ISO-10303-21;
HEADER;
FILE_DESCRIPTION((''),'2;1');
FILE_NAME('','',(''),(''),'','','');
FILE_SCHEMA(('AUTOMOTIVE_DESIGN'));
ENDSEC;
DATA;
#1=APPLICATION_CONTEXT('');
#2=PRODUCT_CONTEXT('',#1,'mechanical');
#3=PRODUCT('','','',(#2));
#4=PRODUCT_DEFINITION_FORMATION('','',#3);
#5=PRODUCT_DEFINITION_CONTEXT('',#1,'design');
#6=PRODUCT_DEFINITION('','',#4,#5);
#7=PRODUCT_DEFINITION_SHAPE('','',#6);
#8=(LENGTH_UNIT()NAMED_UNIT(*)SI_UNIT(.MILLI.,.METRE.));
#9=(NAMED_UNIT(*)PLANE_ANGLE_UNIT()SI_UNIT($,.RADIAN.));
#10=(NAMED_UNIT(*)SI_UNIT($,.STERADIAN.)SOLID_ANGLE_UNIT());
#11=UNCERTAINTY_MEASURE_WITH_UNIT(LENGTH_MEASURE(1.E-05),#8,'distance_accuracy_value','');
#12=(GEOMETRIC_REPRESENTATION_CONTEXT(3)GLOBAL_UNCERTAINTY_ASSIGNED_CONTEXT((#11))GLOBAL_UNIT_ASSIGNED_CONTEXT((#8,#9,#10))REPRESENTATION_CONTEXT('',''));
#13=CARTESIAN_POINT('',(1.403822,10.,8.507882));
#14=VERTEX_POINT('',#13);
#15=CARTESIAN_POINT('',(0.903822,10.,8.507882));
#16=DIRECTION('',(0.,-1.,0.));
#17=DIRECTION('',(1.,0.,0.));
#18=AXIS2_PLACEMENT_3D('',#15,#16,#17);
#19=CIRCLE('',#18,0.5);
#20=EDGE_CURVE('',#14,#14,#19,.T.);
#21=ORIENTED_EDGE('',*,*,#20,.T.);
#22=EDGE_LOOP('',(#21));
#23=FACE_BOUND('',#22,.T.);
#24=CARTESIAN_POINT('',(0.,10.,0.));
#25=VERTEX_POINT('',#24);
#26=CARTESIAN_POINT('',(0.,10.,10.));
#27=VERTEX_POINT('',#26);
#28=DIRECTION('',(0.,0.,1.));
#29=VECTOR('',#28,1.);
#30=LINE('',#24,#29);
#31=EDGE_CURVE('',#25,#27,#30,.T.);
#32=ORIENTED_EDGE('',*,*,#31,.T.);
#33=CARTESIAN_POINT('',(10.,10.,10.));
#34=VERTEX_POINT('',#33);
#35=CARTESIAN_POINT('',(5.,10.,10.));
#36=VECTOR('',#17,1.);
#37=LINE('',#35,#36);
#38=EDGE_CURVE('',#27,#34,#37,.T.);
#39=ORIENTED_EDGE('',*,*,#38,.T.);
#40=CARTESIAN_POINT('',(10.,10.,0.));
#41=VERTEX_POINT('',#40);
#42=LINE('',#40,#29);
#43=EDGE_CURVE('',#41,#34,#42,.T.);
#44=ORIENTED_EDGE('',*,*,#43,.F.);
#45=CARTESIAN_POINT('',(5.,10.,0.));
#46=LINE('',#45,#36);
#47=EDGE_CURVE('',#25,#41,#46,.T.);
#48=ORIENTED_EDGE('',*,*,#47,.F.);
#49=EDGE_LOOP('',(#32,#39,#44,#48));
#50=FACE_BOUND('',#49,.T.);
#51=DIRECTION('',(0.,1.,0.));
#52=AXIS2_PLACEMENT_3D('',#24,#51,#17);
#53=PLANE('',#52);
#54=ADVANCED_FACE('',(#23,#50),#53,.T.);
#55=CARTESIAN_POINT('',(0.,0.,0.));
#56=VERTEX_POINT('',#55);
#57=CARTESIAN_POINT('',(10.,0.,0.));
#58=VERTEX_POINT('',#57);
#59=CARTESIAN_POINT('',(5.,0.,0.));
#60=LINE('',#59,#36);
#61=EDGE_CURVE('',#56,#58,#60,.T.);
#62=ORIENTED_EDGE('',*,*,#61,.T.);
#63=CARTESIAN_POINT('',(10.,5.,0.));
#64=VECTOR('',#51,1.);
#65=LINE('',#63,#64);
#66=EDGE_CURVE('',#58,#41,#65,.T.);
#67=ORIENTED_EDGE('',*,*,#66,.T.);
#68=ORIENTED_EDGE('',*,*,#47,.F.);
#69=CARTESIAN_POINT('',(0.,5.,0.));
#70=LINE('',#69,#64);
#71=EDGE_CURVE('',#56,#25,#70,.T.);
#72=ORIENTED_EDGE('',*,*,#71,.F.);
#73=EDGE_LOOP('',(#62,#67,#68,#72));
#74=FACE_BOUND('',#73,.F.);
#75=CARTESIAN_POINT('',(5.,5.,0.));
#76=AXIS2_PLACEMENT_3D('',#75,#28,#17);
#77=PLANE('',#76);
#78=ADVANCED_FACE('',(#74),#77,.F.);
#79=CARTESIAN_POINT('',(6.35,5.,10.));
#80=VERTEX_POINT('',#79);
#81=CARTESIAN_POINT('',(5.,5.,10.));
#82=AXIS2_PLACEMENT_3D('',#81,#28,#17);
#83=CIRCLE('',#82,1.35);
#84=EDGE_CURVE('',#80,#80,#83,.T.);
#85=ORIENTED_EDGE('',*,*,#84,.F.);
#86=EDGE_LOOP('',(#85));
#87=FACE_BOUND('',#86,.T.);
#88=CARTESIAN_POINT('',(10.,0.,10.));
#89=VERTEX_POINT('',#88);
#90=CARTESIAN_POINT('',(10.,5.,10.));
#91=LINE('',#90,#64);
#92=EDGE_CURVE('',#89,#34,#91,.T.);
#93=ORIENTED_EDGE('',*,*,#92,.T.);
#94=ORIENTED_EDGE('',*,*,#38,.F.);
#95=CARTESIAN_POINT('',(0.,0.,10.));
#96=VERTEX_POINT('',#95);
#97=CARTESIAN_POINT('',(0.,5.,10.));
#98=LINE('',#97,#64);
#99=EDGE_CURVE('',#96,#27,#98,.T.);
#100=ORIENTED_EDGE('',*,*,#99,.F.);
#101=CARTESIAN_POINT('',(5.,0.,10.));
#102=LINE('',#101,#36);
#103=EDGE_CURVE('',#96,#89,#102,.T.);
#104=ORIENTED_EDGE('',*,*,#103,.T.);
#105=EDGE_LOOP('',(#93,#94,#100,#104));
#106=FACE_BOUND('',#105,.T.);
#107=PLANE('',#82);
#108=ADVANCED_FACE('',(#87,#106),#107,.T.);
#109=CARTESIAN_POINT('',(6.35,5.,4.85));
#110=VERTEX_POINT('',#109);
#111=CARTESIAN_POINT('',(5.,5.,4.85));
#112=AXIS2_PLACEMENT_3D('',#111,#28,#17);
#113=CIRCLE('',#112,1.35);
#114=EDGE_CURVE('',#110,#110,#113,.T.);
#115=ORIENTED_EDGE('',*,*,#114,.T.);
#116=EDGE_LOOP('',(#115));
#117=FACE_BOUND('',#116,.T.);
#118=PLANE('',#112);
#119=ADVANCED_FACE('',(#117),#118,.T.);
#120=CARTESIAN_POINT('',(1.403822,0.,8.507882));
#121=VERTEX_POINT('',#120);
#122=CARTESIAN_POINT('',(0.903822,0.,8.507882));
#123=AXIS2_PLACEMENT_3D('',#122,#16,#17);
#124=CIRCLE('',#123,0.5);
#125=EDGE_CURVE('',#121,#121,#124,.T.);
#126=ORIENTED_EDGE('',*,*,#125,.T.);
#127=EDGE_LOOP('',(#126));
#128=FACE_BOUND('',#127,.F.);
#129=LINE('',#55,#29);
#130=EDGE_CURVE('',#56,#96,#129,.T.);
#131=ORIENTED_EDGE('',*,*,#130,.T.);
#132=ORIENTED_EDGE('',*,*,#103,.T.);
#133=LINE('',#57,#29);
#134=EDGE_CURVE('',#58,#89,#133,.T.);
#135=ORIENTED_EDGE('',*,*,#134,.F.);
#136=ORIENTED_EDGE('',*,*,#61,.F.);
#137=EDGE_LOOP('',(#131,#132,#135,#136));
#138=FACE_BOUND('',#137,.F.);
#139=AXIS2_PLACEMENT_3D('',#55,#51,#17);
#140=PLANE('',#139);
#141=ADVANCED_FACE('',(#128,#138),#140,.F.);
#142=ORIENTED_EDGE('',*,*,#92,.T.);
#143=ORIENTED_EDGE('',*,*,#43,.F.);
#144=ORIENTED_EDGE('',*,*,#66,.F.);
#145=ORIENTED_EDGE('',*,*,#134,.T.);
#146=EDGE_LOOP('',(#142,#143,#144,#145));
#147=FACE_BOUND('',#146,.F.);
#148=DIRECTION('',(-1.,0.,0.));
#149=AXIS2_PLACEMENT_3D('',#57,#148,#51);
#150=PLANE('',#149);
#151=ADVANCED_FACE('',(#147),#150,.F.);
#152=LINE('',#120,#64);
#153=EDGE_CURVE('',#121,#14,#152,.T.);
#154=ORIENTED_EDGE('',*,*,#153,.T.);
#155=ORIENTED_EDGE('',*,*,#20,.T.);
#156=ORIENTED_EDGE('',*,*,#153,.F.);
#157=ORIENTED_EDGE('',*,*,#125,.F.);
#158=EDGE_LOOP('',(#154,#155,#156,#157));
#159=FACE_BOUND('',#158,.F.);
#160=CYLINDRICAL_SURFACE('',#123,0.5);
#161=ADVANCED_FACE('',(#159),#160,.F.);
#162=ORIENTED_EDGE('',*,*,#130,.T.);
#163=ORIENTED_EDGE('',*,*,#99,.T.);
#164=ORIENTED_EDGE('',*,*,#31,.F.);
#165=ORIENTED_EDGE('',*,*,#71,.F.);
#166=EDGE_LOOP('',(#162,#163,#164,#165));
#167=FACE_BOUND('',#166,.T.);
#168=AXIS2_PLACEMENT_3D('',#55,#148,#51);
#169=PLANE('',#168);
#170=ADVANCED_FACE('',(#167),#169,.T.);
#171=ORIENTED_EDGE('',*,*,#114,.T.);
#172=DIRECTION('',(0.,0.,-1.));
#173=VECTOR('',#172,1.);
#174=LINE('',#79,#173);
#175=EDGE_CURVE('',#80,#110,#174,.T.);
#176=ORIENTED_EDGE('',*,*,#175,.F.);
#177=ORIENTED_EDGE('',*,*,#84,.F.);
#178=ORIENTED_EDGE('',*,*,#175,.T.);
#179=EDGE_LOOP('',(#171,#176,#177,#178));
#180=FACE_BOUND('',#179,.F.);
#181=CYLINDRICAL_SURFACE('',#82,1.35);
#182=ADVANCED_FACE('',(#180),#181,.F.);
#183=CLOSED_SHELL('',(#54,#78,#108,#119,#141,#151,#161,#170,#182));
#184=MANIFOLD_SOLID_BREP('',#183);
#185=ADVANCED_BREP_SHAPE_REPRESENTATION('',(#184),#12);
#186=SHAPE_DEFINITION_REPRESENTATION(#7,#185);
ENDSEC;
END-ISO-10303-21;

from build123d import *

# Parameters (mm, degrees)
F0_W     = 10
F0_H     = 10
F1_DEPTH = 10
F2_R     = 1.35
F3_DEPTH = 5.15
F4_R     = 0.5
F5_DEPTH = 10.001


with BuildPart() as f1:
    # F0 (on Top) → F1 (new body)
    with BuildSketch(Plane.XY):
        with Locations((5, 5)):
            Rectangle(F0_W, F0_H)
    extrude(amount=F1_DEPTH)

    # F2 (on face) → F3 (cut)
    with BuildSketch(Plane.XY.offset(10)):
        with Locations((5, 5)):
            Circle(F2_R)
    extrude(amount=-F3_DEPTH, mode=Mode.SUBTRACT)

    # F4 (on face) → F5 (cut, through all)
    with BuildSketch(Plane.XZ):
        with Locations((0.903822, 8.507882)):
            Circle(F4_R)
    extrude(amount=-F5_DEPTH, mode=Mode.SUBTRACT)


solid = f1.part
